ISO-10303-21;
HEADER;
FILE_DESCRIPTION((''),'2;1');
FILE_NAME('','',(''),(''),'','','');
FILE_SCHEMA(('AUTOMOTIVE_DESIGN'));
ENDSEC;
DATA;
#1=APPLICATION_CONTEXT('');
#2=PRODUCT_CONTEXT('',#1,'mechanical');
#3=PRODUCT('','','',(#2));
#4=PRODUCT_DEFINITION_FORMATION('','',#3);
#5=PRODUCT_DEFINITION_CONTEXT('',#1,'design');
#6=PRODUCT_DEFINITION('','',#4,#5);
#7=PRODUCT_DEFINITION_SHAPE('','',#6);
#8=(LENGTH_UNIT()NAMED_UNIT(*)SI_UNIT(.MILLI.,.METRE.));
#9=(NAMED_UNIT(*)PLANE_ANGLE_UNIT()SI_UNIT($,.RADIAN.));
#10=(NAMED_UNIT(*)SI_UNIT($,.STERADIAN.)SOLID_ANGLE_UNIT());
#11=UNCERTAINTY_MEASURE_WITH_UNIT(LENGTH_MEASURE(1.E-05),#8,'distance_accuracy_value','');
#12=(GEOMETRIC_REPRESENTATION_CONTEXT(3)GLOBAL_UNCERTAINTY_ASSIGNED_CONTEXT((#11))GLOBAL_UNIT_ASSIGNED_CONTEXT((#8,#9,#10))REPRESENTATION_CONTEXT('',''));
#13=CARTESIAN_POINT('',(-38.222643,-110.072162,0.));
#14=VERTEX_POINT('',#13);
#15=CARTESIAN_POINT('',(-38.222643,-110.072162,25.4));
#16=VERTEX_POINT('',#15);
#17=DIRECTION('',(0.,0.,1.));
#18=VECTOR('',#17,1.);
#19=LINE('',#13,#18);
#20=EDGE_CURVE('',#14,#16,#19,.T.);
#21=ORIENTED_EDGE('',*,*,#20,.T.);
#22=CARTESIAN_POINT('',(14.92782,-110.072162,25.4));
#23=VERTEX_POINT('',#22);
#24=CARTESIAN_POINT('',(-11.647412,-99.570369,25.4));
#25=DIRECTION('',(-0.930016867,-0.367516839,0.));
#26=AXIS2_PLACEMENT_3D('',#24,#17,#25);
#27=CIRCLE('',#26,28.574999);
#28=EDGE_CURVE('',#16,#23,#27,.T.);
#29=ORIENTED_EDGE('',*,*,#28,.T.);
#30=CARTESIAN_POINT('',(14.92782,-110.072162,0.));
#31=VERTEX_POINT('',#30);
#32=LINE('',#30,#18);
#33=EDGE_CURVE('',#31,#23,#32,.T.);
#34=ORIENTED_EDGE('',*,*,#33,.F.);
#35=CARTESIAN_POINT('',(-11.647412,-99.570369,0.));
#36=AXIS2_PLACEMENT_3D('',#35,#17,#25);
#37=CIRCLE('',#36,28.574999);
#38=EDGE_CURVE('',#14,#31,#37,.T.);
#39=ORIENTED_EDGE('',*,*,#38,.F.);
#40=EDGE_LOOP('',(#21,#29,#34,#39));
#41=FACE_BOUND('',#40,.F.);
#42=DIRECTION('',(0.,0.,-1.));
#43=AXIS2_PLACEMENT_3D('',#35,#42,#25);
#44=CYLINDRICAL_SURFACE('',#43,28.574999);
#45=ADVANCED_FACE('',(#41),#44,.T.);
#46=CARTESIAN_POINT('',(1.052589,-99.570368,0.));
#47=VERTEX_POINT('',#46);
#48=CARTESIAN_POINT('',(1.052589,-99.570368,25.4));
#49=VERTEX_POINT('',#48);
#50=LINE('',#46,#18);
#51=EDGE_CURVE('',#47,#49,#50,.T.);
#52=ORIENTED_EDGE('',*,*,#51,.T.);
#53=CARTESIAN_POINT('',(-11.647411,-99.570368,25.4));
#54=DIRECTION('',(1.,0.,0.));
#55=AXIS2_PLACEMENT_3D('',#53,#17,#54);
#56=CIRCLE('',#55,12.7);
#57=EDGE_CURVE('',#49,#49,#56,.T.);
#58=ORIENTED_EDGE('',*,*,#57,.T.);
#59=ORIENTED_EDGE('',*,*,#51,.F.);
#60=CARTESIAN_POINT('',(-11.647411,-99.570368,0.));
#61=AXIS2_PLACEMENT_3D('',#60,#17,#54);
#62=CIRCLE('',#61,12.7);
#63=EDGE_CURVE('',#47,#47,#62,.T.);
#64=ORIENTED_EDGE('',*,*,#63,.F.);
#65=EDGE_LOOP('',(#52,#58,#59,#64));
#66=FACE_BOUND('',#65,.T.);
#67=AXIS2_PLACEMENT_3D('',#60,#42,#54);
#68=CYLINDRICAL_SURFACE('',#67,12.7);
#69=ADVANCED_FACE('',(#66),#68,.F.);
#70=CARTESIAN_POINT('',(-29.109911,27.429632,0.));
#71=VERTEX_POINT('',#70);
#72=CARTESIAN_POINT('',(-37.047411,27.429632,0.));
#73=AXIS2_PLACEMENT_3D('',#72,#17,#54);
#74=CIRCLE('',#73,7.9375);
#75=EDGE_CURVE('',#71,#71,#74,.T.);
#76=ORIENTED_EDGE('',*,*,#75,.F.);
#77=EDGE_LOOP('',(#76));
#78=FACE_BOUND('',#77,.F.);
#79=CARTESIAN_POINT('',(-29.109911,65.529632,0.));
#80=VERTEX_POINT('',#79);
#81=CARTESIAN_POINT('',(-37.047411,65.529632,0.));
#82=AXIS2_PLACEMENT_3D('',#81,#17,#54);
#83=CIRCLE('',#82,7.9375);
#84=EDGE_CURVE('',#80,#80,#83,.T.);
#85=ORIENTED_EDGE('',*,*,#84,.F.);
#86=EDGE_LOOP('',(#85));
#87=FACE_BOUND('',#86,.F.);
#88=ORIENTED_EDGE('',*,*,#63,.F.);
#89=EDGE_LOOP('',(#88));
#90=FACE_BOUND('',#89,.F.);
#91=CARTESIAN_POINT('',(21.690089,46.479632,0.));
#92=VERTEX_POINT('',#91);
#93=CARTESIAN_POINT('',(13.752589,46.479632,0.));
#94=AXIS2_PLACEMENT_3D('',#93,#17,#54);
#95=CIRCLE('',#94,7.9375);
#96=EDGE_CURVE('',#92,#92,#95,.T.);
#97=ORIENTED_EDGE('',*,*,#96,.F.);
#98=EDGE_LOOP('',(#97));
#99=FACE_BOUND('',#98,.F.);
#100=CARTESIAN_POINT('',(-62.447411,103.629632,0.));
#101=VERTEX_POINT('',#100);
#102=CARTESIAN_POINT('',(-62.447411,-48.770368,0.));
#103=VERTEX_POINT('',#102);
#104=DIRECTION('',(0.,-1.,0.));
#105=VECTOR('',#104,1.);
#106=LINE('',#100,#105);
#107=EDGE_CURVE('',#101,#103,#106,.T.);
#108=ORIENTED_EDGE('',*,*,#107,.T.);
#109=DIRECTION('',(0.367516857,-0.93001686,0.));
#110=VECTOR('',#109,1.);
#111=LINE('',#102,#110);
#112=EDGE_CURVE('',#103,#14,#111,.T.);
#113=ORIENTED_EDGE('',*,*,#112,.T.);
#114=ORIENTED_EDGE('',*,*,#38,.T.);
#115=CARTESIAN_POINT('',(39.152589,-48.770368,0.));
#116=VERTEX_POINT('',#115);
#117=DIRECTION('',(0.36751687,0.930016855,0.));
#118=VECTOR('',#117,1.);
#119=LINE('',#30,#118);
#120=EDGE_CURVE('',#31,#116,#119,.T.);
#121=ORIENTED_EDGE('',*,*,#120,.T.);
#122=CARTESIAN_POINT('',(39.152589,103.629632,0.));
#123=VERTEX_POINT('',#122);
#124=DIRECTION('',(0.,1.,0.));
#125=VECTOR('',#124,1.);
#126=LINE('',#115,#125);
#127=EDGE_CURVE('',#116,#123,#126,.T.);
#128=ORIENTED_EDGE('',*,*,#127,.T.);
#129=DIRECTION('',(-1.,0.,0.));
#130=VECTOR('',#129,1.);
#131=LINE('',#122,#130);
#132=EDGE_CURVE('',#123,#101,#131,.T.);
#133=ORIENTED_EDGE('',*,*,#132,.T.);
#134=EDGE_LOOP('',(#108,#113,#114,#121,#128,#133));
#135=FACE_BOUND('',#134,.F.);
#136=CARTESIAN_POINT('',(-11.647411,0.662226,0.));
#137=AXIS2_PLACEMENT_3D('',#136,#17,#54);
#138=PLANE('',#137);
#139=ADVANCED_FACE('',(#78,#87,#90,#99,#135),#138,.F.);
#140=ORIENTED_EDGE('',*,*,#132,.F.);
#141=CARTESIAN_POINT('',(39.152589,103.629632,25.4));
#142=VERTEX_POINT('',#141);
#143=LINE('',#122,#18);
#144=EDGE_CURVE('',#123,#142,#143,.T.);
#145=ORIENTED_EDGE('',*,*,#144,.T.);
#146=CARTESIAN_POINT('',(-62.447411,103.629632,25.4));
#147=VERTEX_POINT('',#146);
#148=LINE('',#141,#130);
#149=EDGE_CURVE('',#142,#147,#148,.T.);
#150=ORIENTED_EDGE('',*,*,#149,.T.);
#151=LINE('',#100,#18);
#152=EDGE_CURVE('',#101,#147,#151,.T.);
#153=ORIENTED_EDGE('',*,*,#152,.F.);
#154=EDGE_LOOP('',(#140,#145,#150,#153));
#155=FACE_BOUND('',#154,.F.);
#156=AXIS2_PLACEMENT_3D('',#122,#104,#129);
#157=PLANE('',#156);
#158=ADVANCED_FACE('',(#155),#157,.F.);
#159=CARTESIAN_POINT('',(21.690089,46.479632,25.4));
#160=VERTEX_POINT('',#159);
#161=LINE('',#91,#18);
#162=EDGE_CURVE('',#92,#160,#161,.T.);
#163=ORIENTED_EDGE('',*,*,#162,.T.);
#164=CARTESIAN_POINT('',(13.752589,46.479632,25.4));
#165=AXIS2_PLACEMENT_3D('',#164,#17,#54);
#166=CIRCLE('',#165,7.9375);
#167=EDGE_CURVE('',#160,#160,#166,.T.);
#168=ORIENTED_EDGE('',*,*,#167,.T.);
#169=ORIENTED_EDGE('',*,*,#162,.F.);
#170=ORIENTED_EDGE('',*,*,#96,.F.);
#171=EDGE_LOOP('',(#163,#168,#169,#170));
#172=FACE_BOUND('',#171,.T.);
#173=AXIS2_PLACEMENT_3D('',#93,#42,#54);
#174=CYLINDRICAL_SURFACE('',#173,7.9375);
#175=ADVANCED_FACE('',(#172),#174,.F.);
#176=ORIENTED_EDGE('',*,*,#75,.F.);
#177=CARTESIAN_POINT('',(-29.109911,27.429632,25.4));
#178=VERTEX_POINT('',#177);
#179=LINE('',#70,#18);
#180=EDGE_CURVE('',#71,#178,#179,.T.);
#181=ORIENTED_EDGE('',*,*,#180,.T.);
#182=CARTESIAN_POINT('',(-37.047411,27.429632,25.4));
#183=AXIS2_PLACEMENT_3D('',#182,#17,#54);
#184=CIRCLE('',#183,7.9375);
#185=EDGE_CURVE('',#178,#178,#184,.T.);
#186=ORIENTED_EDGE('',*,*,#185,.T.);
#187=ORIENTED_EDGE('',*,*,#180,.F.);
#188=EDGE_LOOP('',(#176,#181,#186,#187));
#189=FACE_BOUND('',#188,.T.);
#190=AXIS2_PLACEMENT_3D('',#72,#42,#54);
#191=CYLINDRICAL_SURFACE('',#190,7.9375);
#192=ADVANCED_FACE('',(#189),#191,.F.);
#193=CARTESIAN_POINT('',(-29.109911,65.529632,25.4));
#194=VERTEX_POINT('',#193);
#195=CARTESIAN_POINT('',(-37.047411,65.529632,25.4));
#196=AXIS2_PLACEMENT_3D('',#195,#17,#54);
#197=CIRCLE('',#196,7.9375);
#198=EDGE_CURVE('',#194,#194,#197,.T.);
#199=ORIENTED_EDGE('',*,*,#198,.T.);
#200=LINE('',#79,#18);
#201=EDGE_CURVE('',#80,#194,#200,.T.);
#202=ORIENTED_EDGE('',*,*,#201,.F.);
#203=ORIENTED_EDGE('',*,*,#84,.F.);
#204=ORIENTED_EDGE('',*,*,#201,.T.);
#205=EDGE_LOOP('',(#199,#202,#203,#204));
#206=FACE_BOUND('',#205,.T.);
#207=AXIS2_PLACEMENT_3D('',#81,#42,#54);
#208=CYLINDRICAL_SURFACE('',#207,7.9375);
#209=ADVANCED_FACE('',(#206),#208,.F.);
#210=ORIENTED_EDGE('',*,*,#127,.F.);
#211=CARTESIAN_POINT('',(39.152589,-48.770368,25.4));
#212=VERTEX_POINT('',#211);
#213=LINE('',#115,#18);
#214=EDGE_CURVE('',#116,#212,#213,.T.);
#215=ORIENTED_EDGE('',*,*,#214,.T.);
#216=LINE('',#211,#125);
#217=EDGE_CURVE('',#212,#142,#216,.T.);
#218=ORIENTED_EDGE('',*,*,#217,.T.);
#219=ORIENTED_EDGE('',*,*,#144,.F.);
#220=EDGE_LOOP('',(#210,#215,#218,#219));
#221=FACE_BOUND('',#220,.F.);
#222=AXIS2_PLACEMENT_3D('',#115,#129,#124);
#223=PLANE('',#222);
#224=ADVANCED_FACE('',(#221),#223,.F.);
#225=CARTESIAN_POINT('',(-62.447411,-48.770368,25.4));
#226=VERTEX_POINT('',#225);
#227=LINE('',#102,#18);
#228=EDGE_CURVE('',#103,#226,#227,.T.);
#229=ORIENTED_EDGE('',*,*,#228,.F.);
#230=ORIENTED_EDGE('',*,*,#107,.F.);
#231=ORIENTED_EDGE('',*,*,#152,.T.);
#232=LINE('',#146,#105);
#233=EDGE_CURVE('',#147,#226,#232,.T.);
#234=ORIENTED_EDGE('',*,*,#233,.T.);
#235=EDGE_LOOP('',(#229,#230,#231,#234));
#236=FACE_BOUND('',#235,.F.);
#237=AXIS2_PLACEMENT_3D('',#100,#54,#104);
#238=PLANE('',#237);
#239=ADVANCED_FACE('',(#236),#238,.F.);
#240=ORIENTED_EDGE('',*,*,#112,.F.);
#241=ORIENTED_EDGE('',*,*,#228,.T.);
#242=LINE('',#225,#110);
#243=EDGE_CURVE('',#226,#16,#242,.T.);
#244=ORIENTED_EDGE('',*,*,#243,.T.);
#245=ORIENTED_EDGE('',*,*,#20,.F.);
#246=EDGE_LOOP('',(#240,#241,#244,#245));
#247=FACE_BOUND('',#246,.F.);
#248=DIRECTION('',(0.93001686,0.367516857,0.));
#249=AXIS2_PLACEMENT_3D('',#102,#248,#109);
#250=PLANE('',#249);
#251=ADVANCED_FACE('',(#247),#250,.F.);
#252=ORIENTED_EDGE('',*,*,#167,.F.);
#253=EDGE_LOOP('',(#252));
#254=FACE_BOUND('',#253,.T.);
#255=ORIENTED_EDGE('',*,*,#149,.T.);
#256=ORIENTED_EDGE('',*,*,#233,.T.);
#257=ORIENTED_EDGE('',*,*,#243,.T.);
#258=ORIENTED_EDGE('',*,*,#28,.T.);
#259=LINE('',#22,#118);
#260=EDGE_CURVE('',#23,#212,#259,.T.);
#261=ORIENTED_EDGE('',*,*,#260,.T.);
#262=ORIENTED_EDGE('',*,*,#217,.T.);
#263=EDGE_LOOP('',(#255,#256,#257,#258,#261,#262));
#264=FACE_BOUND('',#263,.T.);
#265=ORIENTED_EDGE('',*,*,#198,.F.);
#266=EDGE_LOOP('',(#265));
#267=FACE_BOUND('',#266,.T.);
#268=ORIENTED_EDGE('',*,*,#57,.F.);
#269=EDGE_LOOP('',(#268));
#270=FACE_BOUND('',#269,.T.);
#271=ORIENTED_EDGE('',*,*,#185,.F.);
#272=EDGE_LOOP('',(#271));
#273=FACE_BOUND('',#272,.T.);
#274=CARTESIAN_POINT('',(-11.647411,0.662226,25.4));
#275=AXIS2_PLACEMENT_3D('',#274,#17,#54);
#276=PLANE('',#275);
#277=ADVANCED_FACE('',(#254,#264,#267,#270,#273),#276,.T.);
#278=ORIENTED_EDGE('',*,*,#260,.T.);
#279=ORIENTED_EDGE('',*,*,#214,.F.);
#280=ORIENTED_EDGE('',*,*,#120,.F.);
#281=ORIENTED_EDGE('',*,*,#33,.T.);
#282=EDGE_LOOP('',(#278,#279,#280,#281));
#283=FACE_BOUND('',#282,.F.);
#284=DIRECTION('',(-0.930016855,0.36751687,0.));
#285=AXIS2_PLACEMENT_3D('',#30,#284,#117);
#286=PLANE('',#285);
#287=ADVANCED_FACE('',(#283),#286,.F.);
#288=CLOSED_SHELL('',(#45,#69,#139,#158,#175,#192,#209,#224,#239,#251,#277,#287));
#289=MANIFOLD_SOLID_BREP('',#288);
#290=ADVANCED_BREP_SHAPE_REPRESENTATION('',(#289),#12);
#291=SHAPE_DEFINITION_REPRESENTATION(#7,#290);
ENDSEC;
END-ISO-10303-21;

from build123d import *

# Parameters (mm, degrees)
F0_R     = 12.7
F0_R_2   = 7.9375
F1_DEPTH = 25.4


with BuildPart() as f1:
    # F0 (on Top) → F1 (new body)
    with BuildSketch(Plane.XY):
        with BuildLine():
            Line((39.152589, 103.629632), (-62.447411, 103.629632))
            Line((-62.447411, 103.629632), (-62.447411, -48.770368))
            Line((-62.447411, -48.770368), (-38.222643, -110.072162))
            ThreePointArc((-38.222643, -110.072162), (-11.647411, -128.145368), (14.92782, -110.072162))
            Line((14.92782, -110.072162), (39.152589, -48.770368))
            Line((39.152589, -48.770368), (39.152589, 103.629632))
        make_face()
        with Locations((-11.647411, -99.570368)):
            Circle(F0_R, mode=Mode.SUBTRACT)
        with Locations((-37.047411, 27.429632)):
            Circle(F0_R_2, mode=Mode.SUBTRACT)
        with Locations((-37.047411, 65.529632)):
            Circle(F0_R_2, mode=Mode.SUBTRACT)
        with Locations((13.752589, 46.479632)):
            Circle(F0_R_2, mode=Mode.SUBTRACT)
    extrude(amount=F1_DEPTH)


solid = f1.part
